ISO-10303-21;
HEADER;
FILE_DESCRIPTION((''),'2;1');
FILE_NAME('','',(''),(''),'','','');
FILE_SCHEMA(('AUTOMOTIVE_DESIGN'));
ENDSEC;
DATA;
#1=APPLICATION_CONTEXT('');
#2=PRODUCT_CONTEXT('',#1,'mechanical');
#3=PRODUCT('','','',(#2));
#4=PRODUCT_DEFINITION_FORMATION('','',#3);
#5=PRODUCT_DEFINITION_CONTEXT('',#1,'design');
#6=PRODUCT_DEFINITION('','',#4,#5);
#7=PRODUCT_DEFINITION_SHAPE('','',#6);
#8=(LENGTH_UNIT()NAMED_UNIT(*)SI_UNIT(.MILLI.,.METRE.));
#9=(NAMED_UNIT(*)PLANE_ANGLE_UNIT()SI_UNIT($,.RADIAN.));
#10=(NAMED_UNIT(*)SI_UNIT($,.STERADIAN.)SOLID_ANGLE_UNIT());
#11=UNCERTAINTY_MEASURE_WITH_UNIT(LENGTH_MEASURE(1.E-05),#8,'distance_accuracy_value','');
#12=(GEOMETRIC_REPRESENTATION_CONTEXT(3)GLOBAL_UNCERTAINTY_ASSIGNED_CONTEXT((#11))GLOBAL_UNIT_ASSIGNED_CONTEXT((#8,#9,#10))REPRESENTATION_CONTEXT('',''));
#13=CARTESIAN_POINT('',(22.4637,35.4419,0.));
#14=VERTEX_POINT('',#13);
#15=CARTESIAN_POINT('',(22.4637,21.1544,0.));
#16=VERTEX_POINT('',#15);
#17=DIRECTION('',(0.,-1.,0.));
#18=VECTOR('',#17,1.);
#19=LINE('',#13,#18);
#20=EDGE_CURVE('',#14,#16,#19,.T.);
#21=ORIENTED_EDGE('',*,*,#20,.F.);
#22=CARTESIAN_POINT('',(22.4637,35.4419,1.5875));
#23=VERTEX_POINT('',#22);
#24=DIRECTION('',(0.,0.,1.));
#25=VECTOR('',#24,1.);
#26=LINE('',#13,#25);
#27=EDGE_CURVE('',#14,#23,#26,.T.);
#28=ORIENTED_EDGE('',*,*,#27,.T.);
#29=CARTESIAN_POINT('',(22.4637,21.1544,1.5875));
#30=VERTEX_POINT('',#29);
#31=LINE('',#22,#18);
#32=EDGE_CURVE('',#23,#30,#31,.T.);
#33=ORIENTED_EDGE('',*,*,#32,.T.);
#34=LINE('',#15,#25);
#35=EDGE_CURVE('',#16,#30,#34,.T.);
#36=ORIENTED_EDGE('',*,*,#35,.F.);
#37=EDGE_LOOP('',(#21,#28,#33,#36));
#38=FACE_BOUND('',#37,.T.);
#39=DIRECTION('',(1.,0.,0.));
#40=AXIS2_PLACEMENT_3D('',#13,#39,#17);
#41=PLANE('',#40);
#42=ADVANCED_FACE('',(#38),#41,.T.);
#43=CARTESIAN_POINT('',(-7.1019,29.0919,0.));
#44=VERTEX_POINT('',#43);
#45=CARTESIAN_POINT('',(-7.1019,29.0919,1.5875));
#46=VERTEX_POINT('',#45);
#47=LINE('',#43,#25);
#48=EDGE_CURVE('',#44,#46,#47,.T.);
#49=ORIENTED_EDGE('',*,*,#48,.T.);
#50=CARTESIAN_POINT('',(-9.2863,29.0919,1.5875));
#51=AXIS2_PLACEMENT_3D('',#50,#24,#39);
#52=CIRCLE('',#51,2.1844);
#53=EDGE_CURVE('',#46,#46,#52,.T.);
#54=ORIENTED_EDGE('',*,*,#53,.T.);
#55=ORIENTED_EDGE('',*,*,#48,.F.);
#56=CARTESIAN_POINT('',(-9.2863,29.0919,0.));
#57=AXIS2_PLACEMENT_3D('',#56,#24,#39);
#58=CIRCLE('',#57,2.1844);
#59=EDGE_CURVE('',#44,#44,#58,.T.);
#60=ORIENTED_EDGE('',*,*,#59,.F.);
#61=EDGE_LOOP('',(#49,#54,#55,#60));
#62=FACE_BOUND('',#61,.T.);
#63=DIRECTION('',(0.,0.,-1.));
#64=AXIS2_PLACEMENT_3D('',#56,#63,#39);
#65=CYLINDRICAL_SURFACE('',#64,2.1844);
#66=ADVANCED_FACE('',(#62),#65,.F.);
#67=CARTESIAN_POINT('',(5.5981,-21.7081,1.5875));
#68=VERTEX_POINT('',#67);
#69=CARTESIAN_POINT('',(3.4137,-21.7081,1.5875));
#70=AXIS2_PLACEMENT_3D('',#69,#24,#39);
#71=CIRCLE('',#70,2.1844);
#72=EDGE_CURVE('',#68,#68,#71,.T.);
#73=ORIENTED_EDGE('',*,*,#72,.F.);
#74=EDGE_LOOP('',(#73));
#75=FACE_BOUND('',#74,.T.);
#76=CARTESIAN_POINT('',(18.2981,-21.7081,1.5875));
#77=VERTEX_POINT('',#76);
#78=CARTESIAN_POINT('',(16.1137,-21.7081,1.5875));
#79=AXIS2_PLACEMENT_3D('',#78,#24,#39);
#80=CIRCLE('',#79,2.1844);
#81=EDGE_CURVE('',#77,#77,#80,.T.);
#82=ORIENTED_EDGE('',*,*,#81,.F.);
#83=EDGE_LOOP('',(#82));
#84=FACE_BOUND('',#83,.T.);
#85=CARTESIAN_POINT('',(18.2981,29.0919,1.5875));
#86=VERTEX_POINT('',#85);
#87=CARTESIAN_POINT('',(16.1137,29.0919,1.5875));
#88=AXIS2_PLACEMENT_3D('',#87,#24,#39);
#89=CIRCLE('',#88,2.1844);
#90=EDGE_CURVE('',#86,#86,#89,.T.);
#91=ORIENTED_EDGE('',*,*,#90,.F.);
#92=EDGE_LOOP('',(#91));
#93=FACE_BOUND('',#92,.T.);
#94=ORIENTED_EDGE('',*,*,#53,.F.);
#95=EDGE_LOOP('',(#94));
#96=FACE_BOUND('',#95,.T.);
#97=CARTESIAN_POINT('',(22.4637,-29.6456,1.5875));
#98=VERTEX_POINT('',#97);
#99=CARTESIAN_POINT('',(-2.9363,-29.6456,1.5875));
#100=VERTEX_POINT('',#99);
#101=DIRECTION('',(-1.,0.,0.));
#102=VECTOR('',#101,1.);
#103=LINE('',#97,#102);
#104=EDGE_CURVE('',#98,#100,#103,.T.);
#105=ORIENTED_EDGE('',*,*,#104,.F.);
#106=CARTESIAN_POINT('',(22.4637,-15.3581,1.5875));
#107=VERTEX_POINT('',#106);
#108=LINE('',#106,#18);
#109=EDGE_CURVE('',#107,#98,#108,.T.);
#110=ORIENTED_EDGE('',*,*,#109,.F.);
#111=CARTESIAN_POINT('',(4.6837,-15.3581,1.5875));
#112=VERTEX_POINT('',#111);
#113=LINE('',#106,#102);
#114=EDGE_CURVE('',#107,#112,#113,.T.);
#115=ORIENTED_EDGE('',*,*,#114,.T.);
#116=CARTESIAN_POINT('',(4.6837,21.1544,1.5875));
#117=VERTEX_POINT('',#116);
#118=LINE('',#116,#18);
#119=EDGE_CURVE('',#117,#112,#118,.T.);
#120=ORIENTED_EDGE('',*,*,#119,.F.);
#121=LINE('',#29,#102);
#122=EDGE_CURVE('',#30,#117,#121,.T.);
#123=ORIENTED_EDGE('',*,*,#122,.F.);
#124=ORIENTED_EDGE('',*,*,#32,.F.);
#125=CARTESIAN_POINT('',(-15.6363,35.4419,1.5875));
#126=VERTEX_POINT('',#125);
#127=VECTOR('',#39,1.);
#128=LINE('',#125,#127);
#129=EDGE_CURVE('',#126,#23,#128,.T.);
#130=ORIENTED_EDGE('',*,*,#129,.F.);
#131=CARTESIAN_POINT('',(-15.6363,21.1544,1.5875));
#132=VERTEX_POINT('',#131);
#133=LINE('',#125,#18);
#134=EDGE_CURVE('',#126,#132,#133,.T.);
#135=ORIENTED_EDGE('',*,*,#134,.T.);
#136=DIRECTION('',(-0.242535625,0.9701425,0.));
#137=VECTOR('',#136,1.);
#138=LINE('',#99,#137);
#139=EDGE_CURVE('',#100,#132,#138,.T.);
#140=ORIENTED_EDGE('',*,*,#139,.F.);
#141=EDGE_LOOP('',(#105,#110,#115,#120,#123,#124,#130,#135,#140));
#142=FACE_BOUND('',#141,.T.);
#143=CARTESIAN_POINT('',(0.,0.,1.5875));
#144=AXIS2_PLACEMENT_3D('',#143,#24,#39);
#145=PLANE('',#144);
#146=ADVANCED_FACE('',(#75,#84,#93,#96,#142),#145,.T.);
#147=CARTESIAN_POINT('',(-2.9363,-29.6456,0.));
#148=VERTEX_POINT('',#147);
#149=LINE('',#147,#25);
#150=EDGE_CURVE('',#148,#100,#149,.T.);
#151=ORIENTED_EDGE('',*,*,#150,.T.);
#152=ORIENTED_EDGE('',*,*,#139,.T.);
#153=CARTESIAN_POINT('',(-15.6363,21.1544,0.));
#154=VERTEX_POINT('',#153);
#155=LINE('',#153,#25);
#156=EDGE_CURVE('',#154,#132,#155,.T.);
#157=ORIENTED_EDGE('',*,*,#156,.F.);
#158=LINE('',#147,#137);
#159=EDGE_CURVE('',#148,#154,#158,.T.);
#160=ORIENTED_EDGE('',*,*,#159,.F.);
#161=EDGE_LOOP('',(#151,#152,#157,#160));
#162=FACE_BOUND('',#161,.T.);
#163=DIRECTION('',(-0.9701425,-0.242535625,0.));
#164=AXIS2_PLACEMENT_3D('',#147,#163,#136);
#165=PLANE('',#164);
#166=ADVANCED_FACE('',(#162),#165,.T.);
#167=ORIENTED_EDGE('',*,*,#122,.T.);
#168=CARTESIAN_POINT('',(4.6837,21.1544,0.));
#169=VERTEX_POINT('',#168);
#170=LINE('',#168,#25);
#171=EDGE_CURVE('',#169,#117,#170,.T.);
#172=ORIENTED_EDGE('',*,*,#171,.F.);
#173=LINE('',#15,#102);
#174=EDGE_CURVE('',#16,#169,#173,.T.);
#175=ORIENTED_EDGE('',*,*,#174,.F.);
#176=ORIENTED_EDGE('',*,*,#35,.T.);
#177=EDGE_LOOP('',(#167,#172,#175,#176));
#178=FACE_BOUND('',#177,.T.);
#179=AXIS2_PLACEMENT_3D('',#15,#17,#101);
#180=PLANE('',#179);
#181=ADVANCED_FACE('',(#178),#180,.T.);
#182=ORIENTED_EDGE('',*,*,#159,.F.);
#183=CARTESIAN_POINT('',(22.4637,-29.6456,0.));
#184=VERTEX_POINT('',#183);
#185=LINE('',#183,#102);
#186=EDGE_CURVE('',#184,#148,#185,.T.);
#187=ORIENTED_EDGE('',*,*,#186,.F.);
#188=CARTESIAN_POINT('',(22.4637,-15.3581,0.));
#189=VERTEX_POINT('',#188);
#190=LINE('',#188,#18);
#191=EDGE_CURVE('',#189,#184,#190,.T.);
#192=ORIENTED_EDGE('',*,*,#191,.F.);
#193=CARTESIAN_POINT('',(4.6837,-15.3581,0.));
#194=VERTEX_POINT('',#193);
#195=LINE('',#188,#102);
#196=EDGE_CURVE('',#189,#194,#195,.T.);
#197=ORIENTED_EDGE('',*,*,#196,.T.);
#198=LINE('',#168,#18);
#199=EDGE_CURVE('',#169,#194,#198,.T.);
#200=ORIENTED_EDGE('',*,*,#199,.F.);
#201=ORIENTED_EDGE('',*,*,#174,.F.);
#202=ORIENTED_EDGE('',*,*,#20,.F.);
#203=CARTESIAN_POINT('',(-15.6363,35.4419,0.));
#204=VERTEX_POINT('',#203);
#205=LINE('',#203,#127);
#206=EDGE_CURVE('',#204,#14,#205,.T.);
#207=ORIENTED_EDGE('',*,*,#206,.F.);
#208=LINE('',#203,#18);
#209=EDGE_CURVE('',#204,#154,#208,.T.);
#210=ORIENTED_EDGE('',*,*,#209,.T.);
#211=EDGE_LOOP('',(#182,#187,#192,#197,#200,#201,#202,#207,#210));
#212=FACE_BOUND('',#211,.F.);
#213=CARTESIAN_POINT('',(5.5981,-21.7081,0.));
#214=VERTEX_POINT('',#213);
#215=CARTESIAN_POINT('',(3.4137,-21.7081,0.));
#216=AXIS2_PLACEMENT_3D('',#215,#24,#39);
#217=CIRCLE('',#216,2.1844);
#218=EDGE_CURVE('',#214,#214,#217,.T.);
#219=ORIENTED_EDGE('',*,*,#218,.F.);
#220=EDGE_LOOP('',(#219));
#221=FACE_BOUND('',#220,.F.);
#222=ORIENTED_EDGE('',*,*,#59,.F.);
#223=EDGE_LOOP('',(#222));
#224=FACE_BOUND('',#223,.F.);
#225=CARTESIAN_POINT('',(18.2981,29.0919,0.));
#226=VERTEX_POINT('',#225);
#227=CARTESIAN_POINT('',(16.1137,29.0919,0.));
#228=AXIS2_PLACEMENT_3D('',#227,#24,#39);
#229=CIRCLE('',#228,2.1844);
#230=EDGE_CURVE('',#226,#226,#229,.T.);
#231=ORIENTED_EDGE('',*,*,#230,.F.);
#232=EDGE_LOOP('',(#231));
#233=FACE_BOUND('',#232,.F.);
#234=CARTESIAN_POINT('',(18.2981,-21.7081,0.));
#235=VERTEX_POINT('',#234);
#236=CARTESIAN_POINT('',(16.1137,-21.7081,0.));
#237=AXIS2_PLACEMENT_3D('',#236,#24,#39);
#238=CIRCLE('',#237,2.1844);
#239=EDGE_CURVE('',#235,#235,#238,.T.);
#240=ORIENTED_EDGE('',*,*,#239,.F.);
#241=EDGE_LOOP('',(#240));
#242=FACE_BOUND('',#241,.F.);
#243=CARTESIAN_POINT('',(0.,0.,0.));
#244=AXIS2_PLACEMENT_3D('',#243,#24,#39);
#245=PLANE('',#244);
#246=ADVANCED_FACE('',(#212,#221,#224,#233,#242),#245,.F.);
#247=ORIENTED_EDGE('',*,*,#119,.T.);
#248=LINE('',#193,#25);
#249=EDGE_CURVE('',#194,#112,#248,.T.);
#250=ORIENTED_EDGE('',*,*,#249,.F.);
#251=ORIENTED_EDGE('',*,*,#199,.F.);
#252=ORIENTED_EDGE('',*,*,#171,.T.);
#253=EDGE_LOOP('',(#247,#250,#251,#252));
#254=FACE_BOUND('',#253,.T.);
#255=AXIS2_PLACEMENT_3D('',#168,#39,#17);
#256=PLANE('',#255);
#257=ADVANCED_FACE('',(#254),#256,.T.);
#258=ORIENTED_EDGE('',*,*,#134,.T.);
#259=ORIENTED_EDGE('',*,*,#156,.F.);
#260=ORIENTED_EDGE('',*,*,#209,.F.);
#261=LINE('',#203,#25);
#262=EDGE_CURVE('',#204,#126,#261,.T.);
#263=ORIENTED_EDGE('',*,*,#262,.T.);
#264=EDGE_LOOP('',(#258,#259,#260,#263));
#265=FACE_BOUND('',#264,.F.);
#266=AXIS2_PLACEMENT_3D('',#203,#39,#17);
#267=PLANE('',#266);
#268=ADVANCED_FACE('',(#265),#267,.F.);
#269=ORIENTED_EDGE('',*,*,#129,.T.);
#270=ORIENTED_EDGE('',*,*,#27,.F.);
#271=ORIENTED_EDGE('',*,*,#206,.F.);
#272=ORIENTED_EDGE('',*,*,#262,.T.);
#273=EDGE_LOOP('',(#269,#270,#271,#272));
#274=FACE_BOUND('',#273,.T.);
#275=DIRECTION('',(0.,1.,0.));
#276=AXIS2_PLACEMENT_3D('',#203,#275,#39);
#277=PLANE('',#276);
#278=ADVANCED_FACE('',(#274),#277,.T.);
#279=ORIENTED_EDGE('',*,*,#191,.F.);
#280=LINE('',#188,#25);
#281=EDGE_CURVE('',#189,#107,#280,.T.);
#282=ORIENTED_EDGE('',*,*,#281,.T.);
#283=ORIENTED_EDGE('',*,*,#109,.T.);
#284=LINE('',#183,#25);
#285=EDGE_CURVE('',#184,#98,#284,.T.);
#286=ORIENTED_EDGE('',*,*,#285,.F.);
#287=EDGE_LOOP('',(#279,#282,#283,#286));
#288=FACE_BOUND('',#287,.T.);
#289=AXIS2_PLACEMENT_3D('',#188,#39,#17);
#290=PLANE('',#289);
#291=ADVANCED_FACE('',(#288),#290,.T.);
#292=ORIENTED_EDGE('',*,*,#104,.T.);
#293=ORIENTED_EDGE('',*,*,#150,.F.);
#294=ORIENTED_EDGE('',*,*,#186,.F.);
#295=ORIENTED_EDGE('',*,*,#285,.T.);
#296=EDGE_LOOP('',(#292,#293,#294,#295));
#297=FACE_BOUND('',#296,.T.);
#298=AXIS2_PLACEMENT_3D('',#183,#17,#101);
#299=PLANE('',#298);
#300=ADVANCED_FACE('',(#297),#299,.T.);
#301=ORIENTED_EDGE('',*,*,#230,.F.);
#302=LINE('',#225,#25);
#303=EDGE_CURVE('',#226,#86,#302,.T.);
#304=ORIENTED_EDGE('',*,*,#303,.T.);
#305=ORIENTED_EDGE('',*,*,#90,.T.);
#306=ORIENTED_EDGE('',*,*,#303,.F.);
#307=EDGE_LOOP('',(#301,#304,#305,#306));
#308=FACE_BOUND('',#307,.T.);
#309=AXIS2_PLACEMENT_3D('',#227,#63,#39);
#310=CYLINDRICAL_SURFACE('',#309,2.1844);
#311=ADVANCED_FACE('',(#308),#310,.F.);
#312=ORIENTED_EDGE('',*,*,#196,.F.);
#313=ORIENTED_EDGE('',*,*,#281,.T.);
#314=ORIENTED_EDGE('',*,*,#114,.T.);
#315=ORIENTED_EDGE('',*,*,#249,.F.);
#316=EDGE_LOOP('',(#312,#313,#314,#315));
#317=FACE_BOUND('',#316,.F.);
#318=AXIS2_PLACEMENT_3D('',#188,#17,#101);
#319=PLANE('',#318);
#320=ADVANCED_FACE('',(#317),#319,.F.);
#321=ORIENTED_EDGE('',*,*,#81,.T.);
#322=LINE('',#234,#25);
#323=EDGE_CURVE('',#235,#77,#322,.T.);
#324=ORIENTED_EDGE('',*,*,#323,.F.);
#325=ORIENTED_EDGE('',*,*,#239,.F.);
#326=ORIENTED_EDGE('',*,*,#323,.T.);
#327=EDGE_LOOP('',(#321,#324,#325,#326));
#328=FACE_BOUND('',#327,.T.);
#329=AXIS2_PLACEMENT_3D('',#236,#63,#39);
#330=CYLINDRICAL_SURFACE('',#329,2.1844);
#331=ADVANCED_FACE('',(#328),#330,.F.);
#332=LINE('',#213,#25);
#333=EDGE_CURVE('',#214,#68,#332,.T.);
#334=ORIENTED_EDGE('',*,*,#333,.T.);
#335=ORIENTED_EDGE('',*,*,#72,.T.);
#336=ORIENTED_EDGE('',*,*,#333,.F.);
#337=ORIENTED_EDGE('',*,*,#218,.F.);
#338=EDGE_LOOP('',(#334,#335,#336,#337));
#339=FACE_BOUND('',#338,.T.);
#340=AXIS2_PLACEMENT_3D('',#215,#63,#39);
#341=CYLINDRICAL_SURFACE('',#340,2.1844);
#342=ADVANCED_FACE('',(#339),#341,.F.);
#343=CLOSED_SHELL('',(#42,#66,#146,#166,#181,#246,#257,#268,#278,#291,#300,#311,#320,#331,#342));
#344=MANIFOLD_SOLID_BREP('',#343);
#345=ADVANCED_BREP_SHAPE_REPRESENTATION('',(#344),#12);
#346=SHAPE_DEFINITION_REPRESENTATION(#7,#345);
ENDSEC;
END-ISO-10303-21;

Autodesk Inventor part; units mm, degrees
ref_plane "YZ Plane" through (0, 0, 0) normal (1, 0, 0) x (0, 1, 0)
ref_plane "XZ Plane" through (0, 0, 0) normal (0, 1, 0) x (-1, 0, 0)
ref_plane "XY Plane" through (0, 0, 0) normal (0, 0, 1) x (1, 0, 0)
sketch "Sketch1" plane through (0, 0, 0) normal (0, 0, 1) x (1, 0, 0)
  line L0 (-15.6363, 35.4419) -> (22.4637, 35.4419)
  line L1 (22.4637, 35.4419) -> (22.4637, 21.1544)
  line L2 (22.4637, -15.3581) -> (22.4637, -29.6456)
  line L3 (-2.9363, -29.6456) -> (-15.6363, 21.1544)
  line L4 (22.4637, 21.1544) -> (4.6837, 21.1544)
  line L5 (4.6837, 21.1544) -> (4.6837, -15.3581)
  line L6 (-15.6363, 35.4419) -> (-15.6363, 21.1544)
  line L7 (22.4637, -15.3581) -> (4.6837, -15.3581)
  line L8 (22.4637, -29.6456) -> (-2.9363, -29.6456)
  circle A0 centre (16.1137, 29.0919) radius 2.1844
  circle A1 centre (-9.2863, 29.0919) radius 2.1844
  circle A2 centre (16.1137, -21.7081) radius 2.1844
  circle A3 centre (3.4137, -21.7081) radius 2.1844
  point P0 (0, 0)
  dimension "d0" = 38.1
  dimension "d1" = 17.78
extrude "Extrusion1" add sketch "Sketch1" along normal blind 1.5875
properties part number "FrontFunnelBottom"
